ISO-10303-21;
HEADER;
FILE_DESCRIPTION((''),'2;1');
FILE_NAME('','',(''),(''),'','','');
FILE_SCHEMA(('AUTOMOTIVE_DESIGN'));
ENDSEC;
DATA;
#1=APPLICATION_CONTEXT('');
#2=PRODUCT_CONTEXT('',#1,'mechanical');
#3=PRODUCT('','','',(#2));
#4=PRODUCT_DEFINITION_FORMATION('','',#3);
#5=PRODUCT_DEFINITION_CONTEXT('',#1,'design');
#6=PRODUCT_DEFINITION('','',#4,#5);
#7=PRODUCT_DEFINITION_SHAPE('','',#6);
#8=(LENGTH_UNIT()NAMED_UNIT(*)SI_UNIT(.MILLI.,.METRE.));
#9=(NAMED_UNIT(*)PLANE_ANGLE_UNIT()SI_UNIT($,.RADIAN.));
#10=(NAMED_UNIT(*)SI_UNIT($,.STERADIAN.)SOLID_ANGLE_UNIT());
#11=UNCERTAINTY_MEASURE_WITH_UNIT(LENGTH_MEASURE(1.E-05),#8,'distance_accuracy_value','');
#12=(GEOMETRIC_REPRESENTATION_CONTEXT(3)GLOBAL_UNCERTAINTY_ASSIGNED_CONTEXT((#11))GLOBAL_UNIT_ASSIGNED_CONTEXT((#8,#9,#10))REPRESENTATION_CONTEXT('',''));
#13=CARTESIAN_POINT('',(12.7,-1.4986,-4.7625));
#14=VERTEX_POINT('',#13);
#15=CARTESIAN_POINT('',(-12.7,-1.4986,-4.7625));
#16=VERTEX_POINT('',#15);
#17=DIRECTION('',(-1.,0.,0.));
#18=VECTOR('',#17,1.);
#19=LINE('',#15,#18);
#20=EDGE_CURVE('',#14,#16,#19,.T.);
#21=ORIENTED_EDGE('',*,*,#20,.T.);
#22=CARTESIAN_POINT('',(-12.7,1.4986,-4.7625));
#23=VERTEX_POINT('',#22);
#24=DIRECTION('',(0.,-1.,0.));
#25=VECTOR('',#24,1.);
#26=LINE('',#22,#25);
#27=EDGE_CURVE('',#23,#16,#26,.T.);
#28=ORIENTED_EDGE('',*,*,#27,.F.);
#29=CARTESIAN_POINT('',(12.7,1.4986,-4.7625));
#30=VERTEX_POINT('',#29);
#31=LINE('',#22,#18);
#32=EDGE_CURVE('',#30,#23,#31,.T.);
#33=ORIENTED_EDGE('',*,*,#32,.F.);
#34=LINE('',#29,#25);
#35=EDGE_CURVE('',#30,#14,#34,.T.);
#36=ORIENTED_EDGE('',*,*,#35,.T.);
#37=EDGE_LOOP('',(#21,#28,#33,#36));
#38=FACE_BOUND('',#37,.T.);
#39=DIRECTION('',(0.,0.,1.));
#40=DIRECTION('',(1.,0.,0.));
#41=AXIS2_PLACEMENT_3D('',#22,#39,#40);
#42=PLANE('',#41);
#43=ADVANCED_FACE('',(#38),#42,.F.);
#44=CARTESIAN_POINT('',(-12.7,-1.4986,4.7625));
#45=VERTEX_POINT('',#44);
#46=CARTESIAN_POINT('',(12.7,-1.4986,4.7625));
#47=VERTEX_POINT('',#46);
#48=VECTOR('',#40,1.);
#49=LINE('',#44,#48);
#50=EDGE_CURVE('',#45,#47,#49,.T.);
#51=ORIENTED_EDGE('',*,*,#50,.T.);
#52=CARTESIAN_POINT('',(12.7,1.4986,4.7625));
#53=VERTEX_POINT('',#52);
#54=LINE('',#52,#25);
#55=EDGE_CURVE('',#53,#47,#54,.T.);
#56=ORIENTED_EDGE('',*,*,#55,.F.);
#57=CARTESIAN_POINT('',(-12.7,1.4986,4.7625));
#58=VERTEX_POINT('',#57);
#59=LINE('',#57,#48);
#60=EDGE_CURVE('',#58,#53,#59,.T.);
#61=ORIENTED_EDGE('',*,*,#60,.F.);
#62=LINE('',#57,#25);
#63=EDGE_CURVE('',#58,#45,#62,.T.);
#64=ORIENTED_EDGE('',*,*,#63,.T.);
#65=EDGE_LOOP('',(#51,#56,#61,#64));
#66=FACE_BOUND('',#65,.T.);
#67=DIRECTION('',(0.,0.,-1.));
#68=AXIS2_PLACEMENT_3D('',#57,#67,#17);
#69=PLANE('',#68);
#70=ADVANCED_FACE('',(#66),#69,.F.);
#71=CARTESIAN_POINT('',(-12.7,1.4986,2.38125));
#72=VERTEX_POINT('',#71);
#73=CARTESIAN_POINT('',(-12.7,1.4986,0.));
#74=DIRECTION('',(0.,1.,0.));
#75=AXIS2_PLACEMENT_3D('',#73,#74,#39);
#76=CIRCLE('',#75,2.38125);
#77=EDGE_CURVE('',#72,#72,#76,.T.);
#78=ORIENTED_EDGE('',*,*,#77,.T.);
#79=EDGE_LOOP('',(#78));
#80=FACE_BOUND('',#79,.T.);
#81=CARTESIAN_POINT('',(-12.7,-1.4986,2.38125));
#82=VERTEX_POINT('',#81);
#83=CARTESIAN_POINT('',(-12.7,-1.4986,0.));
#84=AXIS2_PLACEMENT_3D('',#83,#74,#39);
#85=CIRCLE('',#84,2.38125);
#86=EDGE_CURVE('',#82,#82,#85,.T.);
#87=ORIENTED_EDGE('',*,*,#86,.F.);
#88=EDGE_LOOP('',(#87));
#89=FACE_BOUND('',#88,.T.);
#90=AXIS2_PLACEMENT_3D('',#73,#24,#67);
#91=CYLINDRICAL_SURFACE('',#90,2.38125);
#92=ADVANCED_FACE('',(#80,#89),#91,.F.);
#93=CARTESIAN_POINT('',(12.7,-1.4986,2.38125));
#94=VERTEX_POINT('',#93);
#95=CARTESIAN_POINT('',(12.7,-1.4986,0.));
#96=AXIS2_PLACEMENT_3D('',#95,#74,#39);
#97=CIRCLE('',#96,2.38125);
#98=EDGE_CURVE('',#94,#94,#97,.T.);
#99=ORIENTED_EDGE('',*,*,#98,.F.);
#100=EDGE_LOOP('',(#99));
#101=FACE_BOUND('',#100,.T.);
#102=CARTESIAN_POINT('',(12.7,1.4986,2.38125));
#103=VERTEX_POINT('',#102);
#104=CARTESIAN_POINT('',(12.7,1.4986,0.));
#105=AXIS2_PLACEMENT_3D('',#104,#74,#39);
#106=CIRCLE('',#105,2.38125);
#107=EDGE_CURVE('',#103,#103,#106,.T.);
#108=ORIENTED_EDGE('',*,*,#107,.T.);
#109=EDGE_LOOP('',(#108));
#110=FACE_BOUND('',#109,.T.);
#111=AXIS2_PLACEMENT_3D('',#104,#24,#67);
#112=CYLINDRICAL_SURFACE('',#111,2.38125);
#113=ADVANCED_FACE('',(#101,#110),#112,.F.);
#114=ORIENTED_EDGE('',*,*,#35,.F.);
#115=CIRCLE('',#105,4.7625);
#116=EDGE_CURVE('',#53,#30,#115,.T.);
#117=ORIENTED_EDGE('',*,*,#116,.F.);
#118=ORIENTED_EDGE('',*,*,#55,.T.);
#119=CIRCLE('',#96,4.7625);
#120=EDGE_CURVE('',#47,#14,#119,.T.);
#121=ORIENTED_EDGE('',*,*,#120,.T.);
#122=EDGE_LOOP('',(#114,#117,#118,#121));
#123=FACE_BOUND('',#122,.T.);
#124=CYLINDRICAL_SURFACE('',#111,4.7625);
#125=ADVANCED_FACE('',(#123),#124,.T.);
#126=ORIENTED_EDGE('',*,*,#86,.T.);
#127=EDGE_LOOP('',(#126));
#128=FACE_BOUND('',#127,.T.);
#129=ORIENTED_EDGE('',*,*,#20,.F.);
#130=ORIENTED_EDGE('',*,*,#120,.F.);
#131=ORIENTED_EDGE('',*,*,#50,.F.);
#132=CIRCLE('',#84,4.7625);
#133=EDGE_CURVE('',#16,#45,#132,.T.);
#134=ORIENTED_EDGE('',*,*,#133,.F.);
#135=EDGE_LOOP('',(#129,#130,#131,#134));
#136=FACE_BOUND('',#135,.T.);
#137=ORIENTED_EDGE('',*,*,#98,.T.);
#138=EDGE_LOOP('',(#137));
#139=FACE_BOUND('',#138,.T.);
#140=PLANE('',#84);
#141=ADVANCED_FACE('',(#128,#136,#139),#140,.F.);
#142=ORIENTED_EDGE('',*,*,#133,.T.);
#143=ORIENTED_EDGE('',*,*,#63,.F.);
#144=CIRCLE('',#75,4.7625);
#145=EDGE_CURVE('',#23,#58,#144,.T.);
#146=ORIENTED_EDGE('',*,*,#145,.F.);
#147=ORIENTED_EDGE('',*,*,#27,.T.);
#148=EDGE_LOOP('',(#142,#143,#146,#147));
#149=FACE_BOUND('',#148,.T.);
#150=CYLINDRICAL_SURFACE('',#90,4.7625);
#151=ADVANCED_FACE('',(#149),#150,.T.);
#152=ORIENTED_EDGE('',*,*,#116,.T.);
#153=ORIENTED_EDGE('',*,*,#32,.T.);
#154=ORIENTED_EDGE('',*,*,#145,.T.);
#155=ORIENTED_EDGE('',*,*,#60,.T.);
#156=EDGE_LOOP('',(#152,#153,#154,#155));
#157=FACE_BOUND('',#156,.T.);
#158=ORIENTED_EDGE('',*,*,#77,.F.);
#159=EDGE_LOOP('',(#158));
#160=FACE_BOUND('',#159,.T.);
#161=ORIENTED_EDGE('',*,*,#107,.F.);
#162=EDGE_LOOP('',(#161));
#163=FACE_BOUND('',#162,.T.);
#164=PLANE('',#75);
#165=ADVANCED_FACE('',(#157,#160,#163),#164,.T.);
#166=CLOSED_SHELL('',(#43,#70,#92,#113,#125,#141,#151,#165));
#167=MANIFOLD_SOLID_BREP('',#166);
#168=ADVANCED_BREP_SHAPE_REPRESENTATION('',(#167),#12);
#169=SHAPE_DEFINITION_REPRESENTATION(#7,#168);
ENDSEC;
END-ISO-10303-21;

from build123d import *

# Parameters (mm, degrees)
SKETCH1_R      = 2.38125
EXTRUDE1_DEPTH = 1.4986


with BuildPart() as part:
    # Sketch1 → Extrude1 (new body, symmetric)
    with BuildSketch(Plane(origin=(0, 0, 0), x_dir=(1, 0, 0), z_dir=(0, 1, 0))):
        with BuildLine():
            Line((-12.7, 4.7625), (12.7, 4.7625))
            ThreePointArc((12.7, 4.7625), (17.4625, 0), (12.7, -4.7625))
            Line((12.7, -4.7625), (-12.7, -4.7625))
            ThreePointArc((-12.7, -4.7625), (-17.4625, 0), (-12.7, 4.7625))
        make_face()
        with Locations(Location((-12.7, 0, 0), (0, 0, 270))):  # turned: the seam where the file's is
            Circle(SKETCH1_R, mode=Mode.SUBTRACT)
        with Locations(Location((12.7, 0, 0), (0, 0, 270))):  # turned: the seam where the file's is
            Circle(SKETCH1_R, mode=Mode.SUBTRACT)
    extrude(amount=EXTRUDE1_DEPTH, both=True)


solid = part.part
